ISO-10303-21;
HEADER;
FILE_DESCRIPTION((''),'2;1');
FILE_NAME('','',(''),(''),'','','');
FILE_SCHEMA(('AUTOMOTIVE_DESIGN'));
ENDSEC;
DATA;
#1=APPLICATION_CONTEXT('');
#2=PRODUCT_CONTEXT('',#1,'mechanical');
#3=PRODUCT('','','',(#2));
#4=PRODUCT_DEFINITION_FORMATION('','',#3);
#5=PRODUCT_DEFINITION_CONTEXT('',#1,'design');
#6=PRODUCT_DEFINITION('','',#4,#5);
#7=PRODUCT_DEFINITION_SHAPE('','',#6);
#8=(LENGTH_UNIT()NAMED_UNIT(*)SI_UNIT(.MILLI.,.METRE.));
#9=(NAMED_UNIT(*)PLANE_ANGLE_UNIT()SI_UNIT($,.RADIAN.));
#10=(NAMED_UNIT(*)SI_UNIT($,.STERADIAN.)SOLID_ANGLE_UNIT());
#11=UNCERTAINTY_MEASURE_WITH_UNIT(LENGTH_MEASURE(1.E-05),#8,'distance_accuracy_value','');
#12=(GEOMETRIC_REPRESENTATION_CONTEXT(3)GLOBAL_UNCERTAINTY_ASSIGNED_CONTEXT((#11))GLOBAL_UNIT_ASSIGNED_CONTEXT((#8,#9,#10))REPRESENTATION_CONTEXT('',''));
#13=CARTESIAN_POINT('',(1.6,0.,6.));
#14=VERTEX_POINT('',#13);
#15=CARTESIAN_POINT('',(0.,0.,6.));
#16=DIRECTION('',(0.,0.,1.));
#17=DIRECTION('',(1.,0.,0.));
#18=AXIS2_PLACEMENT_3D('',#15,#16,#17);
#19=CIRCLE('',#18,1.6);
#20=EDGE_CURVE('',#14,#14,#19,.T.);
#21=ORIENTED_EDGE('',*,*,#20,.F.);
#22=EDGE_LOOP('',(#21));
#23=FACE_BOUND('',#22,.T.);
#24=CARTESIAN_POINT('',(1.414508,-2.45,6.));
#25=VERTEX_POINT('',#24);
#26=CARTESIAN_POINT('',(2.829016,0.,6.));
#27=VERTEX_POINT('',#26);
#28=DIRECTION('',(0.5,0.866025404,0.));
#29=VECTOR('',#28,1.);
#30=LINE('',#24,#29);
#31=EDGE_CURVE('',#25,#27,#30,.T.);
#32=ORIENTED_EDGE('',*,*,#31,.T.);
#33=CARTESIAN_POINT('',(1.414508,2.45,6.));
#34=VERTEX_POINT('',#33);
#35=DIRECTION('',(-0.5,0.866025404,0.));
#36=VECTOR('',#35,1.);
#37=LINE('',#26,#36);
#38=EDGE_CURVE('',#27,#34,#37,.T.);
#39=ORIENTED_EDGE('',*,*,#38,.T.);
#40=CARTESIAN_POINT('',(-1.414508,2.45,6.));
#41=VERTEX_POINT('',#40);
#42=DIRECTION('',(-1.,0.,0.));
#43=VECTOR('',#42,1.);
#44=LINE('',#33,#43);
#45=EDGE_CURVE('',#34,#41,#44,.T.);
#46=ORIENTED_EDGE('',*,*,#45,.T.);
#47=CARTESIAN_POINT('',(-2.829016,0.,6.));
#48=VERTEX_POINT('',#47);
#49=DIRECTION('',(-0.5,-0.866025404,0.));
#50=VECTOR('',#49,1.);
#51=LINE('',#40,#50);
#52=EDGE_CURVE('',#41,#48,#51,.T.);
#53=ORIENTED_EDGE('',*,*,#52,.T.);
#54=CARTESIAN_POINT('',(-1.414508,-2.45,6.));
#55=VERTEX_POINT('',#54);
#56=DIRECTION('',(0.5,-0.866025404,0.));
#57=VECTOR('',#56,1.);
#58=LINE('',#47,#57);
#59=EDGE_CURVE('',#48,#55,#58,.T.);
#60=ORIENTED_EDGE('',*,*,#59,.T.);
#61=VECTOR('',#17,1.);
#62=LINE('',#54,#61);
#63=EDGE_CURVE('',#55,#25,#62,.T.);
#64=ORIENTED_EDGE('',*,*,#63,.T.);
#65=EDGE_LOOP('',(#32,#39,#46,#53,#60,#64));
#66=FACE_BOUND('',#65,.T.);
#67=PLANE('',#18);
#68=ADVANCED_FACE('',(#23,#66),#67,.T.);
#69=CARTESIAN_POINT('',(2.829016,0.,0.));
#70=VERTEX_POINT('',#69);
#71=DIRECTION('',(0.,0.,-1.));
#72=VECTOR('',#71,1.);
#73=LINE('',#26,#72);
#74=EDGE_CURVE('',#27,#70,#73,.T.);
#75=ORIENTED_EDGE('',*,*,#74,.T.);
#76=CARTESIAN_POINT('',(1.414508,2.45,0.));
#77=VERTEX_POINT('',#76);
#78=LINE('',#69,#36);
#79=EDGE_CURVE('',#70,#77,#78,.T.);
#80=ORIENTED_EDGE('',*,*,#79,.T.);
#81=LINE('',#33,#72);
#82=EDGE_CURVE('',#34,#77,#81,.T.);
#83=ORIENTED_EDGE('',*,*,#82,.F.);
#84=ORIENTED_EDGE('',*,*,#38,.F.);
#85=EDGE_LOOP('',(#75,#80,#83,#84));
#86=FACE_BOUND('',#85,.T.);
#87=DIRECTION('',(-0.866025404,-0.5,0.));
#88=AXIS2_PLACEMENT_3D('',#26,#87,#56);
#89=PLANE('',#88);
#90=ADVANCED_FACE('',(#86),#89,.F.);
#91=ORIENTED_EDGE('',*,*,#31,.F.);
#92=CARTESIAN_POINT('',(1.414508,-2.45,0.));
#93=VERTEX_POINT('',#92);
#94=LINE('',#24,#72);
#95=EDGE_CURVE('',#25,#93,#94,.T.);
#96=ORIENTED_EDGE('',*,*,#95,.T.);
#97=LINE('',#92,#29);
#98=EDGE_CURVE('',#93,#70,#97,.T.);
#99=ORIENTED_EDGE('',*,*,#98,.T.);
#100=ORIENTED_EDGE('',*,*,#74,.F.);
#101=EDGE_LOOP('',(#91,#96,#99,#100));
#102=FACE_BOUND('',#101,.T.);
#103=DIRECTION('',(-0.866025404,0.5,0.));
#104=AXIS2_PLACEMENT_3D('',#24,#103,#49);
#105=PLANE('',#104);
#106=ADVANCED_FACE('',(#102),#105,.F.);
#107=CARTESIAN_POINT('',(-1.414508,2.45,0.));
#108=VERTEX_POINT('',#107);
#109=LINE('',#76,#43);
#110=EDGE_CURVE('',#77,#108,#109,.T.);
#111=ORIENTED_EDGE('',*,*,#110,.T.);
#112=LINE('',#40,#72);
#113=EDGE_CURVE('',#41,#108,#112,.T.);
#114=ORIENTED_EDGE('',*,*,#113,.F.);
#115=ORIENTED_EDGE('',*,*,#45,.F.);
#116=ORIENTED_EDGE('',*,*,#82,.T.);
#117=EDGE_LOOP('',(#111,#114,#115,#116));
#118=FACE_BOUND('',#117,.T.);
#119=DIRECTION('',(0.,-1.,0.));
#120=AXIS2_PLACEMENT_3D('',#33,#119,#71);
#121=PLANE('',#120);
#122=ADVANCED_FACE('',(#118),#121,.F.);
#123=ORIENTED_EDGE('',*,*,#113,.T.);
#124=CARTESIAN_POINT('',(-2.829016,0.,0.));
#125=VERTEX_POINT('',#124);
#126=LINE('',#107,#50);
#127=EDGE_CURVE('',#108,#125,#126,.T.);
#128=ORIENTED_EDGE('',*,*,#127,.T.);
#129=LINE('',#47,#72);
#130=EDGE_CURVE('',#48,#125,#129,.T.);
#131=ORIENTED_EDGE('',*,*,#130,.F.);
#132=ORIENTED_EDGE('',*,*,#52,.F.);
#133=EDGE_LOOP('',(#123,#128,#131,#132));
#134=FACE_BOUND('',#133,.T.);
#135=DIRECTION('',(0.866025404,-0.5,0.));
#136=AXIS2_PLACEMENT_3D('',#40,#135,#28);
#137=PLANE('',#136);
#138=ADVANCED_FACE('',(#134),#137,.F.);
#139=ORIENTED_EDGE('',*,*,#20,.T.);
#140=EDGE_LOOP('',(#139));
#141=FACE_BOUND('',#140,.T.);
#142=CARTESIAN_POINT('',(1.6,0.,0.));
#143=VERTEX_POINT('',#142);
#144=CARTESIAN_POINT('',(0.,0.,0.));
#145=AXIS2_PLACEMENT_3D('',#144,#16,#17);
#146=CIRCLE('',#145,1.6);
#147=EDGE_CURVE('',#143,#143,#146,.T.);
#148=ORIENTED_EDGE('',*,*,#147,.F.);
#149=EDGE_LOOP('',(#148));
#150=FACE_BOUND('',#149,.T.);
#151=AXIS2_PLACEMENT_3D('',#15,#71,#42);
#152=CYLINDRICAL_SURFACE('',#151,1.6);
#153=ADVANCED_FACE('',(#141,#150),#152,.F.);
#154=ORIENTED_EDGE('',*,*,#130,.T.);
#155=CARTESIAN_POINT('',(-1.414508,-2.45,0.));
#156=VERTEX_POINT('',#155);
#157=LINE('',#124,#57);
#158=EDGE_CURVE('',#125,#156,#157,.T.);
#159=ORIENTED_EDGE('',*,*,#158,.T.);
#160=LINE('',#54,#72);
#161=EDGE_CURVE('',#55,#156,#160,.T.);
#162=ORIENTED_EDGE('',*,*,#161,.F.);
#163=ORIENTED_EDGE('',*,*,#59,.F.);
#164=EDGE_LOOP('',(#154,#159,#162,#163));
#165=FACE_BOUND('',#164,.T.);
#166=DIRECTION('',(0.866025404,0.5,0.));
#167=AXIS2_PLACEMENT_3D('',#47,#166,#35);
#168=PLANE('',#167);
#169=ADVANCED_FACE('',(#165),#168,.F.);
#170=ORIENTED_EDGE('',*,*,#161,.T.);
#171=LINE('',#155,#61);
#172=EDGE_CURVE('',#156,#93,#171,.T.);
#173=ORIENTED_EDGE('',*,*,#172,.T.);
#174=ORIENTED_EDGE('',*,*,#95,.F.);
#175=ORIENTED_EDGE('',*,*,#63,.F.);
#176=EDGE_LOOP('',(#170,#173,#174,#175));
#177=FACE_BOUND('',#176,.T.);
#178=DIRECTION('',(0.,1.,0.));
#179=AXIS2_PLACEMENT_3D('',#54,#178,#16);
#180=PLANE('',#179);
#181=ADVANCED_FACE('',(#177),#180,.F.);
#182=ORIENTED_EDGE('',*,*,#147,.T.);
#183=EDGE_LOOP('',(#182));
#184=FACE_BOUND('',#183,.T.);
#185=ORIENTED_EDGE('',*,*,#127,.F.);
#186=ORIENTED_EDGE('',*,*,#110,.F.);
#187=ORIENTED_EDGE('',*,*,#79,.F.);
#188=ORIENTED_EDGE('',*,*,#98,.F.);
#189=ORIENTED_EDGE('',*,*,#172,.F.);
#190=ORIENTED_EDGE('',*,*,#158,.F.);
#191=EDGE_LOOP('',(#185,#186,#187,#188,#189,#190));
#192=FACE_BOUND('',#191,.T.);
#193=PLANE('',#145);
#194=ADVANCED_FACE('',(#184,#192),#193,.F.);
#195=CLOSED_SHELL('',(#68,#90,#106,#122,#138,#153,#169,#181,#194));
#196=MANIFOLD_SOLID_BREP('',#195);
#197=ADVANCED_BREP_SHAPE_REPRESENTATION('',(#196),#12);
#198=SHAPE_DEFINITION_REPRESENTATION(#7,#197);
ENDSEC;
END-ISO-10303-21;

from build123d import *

# Parameters (mm, degrees)
SKETCH_1_R      = 1.6
EXTRUDE_1_DEPTH = 6


with BuildPart() as part:
    # 草图1 → 凸台-拉伸1 (new body)
    with BuildSketch(Plane.XY):
        Polygon((2.829016319, 0), (1.41450816, 2.45), (-1.41450816, 2.45), (-2.829016319, 0), (-1.41450816, -2.45), (1.41450816, -2.45), align=None)
        Circle(SKETCH_1_R, mode=Mode.SUBTRACT)
    extrude(amount=EXTRUDE_1_DEPTH)


solid = part.part
